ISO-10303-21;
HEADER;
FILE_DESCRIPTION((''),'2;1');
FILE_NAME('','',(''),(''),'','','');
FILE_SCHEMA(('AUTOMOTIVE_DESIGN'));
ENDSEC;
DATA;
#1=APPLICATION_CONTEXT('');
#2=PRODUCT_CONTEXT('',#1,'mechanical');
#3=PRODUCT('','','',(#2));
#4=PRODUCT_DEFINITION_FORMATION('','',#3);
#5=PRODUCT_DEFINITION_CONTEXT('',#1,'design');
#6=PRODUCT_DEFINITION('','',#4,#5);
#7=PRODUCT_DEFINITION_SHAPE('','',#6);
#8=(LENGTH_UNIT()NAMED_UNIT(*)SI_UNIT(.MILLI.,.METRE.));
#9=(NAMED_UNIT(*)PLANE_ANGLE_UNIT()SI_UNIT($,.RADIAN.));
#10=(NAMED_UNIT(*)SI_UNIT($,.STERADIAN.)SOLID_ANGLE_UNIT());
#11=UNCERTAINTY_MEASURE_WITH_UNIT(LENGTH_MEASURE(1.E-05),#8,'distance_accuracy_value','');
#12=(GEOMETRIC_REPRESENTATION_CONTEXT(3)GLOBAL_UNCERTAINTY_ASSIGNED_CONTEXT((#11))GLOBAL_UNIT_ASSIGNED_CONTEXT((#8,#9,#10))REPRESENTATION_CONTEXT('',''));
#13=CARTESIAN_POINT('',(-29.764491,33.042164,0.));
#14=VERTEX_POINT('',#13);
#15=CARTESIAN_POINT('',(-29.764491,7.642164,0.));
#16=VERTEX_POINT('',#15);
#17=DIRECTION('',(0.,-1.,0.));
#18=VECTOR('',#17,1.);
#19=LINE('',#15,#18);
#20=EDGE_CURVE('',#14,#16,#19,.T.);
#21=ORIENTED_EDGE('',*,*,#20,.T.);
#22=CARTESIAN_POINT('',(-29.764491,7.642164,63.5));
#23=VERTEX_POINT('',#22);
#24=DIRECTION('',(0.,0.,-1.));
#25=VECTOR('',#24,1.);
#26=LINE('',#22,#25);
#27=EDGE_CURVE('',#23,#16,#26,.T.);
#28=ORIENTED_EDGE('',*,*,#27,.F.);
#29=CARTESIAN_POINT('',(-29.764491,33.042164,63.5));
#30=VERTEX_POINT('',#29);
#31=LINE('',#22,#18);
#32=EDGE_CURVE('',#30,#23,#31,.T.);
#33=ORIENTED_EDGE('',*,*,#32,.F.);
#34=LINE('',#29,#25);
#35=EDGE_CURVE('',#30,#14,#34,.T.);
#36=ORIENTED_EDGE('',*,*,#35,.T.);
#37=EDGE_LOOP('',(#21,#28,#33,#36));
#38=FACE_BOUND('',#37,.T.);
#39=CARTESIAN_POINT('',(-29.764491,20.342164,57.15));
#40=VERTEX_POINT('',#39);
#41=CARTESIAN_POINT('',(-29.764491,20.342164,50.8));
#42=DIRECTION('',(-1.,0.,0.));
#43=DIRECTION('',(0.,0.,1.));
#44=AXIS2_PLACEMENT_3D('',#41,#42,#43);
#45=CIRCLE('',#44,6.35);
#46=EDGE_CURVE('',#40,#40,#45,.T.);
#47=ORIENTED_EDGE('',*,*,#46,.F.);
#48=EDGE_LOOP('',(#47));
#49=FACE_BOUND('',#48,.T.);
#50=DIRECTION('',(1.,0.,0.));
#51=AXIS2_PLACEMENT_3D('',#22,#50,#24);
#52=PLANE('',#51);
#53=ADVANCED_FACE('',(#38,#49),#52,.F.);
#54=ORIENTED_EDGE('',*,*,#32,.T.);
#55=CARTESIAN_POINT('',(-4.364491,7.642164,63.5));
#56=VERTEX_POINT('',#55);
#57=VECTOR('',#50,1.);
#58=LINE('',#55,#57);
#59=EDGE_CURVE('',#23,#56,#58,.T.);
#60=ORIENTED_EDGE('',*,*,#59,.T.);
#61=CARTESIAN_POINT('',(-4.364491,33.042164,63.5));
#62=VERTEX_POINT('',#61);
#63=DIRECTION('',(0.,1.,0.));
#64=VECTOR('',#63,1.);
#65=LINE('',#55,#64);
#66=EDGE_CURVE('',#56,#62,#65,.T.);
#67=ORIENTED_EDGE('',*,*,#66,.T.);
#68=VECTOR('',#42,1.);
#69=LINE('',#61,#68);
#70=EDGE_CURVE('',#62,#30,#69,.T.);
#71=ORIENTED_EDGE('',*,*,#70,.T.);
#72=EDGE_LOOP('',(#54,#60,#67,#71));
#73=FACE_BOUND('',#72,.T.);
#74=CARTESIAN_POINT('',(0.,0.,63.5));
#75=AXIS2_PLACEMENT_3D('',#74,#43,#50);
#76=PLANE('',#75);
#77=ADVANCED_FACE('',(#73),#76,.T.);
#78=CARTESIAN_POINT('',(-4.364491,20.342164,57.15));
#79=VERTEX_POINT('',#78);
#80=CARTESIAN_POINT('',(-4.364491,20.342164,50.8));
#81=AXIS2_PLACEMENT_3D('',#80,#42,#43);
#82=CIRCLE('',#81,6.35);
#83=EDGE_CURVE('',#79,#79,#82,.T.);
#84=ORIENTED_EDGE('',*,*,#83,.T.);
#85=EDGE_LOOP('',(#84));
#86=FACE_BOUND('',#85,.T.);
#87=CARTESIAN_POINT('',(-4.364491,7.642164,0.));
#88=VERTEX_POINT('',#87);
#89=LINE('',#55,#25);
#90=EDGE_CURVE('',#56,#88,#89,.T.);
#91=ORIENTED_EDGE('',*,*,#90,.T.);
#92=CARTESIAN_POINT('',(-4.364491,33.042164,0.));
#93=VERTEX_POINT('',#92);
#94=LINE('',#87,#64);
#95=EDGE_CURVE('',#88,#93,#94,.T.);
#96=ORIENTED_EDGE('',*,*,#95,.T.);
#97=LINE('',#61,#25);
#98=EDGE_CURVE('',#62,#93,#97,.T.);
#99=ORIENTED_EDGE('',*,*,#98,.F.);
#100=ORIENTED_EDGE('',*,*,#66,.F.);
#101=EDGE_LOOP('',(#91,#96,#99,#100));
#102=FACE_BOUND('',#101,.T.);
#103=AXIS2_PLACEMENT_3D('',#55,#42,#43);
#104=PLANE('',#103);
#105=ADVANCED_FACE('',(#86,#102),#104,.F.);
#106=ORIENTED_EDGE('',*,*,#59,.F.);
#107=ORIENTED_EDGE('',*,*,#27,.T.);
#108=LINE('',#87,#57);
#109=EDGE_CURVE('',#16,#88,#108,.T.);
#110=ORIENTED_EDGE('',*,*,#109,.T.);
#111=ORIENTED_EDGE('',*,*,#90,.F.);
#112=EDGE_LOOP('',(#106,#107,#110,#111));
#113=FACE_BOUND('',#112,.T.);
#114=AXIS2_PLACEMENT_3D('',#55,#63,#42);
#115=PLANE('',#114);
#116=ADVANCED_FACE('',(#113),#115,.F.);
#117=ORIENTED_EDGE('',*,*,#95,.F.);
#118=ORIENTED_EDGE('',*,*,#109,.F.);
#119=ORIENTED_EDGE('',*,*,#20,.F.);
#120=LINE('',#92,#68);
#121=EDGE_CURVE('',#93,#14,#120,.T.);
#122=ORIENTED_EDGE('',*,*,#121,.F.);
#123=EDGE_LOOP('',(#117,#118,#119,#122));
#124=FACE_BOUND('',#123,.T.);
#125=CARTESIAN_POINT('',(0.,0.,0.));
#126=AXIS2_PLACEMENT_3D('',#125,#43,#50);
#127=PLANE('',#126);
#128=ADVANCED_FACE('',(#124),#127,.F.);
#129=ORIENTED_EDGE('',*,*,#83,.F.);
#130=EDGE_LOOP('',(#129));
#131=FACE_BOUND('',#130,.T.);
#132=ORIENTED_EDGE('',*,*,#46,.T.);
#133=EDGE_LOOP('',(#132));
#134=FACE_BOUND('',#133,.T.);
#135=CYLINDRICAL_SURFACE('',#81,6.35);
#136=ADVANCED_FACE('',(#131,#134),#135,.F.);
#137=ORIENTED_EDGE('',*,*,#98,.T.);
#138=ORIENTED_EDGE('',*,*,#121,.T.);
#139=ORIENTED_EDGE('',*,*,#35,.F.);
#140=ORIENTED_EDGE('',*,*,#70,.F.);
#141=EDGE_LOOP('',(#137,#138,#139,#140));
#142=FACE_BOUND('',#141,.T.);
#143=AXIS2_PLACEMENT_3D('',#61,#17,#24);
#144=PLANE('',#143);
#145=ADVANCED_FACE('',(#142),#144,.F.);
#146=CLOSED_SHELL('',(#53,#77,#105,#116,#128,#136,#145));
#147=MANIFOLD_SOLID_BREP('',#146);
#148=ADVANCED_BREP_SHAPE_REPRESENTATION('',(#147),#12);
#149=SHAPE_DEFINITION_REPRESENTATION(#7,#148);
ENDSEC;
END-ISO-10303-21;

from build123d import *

# Parameters (mm, degrees)
SKETCH1_W           = 25.4
SKETCH1_H           = 25.4
BOSS_EXTRUDE1_DEPTH = 63.5
SKETCH2_R           = 6.35
CUT_EXTRUDE1_DEPTH  = 26.4


with BuildPart() as part:
    # Sketch1 → Boss-Extrude1 (new body)
    with BuildSketch(Plane.XY):
        with Locations((-17.064491321, 20.342163666)):
            Rectangle(SKETCH1_W, SKETCH1_H)
    extrude(amount=BOSS_EXTRUDE1_DEPTH)

    # Sketch2 → Cut-Extrude1 (cut, through all)
    with BuildSketch(Plane.ZY.offset(29.764491321)):
        with Locations((50.8, 20.342163666)):
            Circle(SKETCH2_R)
    extrude(amount=-CUT_EXTRUDE1_DEPTH, mode=Mode.SUBTRACT)


solid = part.part
